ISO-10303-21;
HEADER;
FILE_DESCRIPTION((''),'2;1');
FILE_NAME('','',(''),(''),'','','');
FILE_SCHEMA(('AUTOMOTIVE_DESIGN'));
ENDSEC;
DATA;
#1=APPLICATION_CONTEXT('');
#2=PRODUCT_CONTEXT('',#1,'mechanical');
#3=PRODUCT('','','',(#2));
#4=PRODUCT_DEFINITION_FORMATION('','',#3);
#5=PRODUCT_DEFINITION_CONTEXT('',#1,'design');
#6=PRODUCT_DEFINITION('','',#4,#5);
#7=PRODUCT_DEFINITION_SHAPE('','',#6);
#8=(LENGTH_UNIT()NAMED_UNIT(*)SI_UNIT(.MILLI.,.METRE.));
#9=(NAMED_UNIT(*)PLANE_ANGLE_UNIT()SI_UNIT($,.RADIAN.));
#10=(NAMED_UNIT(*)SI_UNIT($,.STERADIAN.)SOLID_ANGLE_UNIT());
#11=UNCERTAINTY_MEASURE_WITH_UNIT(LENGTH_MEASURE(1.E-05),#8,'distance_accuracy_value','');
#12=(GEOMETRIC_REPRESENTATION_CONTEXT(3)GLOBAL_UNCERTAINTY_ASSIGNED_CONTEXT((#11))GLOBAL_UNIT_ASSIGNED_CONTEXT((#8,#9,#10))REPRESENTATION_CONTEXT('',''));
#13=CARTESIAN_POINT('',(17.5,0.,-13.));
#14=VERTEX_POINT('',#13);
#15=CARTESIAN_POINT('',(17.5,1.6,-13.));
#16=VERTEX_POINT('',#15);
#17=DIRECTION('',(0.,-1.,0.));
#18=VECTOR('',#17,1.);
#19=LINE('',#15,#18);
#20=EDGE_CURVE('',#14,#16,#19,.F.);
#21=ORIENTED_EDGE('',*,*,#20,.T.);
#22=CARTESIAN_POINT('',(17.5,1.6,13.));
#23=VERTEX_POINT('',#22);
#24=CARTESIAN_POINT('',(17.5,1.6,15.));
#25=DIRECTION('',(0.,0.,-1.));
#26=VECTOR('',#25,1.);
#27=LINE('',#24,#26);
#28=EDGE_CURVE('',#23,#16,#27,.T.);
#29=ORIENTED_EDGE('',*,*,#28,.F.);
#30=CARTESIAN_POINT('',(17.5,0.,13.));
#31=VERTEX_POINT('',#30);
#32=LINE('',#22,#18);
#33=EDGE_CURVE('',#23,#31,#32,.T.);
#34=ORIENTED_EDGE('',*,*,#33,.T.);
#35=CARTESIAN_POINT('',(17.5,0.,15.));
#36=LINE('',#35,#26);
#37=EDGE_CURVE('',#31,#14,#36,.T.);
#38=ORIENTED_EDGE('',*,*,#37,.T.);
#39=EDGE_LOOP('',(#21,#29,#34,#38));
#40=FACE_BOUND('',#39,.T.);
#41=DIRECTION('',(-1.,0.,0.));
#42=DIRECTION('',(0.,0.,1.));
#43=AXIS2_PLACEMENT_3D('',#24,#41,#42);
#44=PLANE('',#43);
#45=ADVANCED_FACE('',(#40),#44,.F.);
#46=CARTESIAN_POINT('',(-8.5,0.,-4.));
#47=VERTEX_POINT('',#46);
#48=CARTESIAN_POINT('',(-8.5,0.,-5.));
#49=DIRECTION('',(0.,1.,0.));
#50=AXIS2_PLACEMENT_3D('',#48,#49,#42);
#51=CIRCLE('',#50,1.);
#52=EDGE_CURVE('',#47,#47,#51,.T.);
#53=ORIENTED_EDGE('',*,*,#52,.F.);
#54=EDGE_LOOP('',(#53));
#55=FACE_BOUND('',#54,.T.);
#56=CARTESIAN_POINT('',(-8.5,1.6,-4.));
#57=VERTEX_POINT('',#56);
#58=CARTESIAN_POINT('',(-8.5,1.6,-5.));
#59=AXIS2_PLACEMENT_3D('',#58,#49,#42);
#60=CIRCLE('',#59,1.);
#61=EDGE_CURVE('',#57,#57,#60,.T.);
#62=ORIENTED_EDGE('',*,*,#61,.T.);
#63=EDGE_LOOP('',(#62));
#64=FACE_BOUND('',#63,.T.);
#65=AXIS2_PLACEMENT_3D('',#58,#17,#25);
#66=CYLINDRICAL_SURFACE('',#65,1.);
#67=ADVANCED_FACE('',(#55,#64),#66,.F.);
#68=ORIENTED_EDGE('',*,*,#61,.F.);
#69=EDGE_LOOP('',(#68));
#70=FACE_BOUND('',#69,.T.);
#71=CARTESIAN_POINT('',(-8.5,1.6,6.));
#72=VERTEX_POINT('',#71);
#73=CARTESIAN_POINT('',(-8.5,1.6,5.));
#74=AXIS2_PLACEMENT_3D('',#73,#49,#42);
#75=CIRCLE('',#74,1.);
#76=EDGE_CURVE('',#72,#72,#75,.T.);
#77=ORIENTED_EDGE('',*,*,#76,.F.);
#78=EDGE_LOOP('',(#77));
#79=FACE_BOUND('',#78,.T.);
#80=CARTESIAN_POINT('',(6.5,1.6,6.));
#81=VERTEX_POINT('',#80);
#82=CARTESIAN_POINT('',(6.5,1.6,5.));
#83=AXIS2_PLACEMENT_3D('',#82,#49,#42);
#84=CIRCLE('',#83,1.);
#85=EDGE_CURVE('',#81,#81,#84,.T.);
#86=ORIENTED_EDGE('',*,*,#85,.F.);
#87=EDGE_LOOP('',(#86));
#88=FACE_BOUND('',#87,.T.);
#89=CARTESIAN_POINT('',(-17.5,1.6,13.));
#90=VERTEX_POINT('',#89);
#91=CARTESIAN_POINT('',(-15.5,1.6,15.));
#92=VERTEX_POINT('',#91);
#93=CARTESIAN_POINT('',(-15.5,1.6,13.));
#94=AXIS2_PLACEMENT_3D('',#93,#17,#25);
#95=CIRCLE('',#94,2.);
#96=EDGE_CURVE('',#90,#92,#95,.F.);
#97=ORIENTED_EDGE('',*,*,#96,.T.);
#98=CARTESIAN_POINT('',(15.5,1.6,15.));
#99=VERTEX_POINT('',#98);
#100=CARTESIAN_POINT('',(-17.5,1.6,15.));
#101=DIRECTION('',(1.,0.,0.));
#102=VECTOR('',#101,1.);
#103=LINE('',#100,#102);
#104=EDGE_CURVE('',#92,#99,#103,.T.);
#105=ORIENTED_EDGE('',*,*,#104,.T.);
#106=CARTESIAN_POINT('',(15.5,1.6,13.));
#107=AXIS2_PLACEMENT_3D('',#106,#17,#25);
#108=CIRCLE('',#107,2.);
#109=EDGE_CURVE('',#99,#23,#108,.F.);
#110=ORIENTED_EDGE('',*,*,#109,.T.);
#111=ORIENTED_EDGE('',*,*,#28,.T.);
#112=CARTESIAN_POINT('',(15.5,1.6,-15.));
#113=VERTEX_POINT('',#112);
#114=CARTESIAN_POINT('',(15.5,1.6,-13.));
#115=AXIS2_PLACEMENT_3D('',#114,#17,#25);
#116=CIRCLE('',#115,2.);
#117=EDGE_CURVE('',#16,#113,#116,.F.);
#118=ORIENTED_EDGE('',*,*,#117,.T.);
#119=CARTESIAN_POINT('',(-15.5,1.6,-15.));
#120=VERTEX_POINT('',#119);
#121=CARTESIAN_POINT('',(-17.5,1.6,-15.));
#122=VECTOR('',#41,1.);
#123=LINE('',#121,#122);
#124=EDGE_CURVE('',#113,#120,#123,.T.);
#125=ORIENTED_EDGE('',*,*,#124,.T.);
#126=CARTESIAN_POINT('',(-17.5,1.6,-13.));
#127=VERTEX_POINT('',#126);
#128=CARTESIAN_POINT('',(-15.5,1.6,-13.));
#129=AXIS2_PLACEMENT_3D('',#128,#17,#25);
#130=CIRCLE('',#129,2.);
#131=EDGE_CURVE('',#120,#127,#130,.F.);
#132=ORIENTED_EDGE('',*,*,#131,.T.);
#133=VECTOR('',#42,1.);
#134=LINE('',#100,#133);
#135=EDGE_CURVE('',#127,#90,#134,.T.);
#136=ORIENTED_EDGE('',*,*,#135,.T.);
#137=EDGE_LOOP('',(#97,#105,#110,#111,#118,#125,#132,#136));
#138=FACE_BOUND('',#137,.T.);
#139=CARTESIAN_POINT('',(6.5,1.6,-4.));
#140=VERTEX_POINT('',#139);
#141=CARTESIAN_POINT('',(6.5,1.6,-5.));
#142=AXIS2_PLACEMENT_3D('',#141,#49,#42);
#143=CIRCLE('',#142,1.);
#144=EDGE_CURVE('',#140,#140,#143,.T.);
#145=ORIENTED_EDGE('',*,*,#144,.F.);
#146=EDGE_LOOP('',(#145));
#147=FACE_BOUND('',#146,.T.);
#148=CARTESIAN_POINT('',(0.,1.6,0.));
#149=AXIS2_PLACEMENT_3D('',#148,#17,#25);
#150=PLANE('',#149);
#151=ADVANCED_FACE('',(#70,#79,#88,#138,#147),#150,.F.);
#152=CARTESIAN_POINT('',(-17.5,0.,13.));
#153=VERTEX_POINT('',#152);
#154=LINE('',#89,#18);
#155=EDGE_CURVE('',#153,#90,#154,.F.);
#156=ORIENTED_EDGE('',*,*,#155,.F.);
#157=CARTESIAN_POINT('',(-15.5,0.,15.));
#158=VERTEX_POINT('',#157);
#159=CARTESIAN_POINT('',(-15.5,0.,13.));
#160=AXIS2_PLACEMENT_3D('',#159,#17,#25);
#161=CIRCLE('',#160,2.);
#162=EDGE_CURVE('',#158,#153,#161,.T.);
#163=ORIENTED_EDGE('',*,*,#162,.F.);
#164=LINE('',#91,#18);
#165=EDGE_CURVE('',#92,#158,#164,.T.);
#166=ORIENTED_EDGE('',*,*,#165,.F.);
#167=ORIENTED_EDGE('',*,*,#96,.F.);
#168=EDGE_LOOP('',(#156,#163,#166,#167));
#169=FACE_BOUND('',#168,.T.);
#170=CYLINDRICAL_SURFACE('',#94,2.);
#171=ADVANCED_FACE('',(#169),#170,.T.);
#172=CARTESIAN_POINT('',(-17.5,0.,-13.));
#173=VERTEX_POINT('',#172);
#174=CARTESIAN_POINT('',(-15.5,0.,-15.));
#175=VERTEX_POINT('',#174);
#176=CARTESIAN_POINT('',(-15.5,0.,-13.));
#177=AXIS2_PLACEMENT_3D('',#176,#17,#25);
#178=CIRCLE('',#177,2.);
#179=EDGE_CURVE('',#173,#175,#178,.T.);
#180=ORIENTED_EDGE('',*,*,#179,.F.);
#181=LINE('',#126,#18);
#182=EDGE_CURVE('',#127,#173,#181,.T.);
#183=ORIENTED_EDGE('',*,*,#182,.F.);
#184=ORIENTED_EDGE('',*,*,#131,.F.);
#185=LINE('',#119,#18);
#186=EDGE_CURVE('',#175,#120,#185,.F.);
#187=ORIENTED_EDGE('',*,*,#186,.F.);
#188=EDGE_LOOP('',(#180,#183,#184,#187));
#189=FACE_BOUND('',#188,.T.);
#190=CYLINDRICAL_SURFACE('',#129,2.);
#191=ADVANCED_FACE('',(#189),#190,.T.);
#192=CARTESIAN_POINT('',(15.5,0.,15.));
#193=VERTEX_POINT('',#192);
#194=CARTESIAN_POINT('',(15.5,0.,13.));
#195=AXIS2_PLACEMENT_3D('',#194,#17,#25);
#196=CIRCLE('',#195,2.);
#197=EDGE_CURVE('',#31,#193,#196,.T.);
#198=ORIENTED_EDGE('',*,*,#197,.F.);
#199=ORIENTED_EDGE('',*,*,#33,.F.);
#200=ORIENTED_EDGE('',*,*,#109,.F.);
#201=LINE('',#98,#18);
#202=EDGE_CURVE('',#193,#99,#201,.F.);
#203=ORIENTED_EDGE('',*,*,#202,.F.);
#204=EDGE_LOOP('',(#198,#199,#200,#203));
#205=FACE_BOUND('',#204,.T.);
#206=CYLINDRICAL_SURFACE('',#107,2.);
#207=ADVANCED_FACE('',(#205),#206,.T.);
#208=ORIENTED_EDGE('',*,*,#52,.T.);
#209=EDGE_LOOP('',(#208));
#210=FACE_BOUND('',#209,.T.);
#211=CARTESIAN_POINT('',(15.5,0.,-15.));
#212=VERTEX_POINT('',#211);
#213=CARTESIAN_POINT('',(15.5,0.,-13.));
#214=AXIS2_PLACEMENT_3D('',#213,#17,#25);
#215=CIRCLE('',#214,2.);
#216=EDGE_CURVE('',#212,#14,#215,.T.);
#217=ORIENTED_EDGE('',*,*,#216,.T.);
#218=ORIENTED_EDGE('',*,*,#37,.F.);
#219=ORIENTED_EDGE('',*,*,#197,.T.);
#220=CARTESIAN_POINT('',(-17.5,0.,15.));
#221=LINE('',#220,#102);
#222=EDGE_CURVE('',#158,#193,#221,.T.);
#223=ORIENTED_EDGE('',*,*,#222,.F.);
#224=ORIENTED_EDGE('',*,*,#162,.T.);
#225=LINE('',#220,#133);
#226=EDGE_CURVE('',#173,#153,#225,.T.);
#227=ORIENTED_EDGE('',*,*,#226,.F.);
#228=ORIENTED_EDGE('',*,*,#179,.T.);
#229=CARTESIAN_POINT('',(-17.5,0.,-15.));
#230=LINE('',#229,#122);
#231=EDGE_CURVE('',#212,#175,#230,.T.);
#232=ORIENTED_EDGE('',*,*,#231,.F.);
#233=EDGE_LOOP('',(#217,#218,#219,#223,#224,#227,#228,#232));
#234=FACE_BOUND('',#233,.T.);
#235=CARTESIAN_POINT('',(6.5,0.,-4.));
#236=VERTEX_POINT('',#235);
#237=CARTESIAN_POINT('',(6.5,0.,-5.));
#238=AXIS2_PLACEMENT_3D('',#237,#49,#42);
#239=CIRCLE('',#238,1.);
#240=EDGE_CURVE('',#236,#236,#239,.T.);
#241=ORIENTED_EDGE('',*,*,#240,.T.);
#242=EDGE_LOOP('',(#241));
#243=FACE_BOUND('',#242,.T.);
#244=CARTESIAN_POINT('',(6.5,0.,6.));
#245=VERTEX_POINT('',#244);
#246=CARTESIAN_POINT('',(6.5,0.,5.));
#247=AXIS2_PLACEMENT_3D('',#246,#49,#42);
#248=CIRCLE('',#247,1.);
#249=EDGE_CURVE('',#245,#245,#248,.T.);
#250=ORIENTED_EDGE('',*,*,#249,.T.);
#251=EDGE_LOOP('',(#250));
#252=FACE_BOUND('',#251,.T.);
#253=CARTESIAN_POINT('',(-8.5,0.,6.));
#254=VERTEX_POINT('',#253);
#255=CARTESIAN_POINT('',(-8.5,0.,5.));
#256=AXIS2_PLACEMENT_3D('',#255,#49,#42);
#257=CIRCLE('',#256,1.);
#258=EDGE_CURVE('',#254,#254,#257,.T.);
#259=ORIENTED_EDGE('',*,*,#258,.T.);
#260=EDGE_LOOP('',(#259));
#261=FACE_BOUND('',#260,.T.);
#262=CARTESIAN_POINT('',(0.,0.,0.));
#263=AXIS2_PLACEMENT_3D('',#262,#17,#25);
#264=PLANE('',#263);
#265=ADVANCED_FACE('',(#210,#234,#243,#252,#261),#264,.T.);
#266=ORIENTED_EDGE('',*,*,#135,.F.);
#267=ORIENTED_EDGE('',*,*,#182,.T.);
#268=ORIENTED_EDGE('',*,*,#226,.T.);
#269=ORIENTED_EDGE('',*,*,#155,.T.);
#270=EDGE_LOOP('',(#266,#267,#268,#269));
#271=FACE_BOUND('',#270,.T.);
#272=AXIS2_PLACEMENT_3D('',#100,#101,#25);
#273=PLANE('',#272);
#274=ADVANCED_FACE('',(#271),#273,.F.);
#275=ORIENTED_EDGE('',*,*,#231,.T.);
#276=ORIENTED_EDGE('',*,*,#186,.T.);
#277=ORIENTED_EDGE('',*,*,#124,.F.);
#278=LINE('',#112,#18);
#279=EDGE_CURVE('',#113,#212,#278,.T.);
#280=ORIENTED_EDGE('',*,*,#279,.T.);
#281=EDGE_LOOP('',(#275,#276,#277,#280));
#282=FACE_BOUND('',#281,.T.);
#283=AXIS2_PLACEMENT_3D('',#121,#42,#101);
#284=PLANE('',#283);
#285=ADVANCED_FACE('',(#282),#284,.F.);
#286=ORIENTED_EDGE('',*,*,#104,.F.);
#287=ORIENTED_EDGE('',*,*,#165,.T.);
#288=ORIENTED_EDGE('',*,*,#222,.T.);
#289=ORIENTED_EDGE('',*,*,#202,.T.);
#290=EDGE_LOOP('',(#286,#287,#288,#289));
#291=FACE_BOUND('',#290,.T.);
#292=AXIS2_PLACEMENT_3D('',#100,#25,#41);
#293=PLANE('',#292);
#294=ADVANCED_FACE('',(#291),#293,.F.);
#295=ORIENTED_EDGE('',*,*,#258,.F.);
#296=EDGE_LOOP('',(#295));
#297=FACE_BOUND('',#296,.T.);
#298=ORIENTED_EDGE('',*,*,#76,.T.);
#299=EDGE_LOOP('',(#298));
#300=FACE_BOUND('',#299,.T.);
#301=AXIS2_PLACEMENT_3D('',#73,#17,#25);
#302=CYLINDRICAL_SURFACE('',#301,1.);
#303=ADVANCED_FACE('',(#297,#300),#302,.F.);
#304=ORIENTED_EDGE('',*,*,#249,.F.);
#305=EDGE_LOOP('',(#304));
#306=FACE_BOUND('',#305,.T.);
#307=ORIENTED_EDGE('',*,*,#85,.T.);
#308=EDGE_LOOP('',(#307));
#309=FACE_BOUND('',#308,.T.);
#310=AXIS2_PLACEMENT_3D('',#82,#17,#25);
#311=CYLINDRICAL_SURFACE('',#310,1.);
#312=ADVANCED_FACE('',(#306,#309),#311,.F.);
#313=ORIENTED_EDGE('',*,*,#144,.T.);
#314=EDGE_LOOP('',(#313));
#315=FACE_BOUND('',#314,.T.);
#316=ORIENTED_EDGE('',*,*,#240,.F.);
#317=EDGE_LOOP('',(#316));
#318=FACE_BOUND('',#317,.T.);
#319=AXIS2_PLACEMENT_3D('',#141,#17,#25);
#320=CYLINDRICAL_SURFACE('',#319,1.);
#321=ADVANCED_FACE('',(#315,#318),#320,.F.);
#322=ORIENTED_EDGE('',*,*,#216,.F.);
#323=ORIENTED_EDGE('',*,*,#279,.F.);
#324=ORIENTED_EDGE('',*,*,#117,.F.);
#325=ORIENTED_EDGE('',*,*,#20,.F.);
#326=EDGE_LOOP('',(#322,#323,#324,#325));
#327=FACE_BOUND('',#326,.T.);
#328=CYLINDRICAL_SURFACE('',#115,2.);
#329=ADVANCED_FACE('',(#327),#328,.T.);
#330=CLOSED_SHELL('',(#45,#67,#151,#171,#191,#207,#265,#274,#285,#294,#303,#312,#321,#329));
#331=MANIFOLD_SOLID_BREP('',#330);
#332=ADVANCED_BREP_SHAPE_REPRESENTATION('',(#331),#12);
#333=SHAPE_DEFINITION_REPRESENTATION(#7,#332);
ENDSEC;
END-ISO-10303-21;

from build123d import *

# Parameters (mm, degrees)
SKETCH_1_W      = 35
SKETCH_1_H      = 30
SKETCH_1_R      = 1
EXTRUDE_1_DEPTH = 1.6
FILLET_1_R      = 2


with BuildPart() as part:
    # 草图1 → 凸台-拉伸1 (new body)
    with BuildSketch(Plane(origin=(0, 0, 0), x_dir=(1, 0, 0), z_dir=(0, 1, 0))):
        Rectangle(SKETCH_1_W, SKETCH_1_H)
        with Locations(Location((-8.5, 5, 0), (0, 0, 270))):
            Circle(SKETCH_1_R, mode=Mode.SUBTRACT)
        with Locations(Location((6.5, 5, 0), (0, 0, 270))):
            Circle(SKETCH_1_R, mode=Mode.SUBTRACT)
        with Locations(Location((-8.5, -5, 0), (0, 0, 270))):
            Circle(SKETCH_1_R, mode=Mode.SUBTRACT)
        with Locations(Location((6.5, -5, 0), (0, 0, 270))):
            Circle(SKETCH_1_R, mode=Mode.SUBTRACT)
    extrude(amount=EXTRUDE_1_DEPTH)

    # 圆角1
    fillet_1_edges = [part.edges().sort_by_distance(p)[0] for p in [
        (17.5, 0.8, 15),
        (-17.5, 0.8, 15),
        (-17.5, 0.8, -15),
        (17.5, 0.8, -15),
    ]]
    fillet(fillet_1_edges, radius=FILLET_1_R)


solid = part.part
